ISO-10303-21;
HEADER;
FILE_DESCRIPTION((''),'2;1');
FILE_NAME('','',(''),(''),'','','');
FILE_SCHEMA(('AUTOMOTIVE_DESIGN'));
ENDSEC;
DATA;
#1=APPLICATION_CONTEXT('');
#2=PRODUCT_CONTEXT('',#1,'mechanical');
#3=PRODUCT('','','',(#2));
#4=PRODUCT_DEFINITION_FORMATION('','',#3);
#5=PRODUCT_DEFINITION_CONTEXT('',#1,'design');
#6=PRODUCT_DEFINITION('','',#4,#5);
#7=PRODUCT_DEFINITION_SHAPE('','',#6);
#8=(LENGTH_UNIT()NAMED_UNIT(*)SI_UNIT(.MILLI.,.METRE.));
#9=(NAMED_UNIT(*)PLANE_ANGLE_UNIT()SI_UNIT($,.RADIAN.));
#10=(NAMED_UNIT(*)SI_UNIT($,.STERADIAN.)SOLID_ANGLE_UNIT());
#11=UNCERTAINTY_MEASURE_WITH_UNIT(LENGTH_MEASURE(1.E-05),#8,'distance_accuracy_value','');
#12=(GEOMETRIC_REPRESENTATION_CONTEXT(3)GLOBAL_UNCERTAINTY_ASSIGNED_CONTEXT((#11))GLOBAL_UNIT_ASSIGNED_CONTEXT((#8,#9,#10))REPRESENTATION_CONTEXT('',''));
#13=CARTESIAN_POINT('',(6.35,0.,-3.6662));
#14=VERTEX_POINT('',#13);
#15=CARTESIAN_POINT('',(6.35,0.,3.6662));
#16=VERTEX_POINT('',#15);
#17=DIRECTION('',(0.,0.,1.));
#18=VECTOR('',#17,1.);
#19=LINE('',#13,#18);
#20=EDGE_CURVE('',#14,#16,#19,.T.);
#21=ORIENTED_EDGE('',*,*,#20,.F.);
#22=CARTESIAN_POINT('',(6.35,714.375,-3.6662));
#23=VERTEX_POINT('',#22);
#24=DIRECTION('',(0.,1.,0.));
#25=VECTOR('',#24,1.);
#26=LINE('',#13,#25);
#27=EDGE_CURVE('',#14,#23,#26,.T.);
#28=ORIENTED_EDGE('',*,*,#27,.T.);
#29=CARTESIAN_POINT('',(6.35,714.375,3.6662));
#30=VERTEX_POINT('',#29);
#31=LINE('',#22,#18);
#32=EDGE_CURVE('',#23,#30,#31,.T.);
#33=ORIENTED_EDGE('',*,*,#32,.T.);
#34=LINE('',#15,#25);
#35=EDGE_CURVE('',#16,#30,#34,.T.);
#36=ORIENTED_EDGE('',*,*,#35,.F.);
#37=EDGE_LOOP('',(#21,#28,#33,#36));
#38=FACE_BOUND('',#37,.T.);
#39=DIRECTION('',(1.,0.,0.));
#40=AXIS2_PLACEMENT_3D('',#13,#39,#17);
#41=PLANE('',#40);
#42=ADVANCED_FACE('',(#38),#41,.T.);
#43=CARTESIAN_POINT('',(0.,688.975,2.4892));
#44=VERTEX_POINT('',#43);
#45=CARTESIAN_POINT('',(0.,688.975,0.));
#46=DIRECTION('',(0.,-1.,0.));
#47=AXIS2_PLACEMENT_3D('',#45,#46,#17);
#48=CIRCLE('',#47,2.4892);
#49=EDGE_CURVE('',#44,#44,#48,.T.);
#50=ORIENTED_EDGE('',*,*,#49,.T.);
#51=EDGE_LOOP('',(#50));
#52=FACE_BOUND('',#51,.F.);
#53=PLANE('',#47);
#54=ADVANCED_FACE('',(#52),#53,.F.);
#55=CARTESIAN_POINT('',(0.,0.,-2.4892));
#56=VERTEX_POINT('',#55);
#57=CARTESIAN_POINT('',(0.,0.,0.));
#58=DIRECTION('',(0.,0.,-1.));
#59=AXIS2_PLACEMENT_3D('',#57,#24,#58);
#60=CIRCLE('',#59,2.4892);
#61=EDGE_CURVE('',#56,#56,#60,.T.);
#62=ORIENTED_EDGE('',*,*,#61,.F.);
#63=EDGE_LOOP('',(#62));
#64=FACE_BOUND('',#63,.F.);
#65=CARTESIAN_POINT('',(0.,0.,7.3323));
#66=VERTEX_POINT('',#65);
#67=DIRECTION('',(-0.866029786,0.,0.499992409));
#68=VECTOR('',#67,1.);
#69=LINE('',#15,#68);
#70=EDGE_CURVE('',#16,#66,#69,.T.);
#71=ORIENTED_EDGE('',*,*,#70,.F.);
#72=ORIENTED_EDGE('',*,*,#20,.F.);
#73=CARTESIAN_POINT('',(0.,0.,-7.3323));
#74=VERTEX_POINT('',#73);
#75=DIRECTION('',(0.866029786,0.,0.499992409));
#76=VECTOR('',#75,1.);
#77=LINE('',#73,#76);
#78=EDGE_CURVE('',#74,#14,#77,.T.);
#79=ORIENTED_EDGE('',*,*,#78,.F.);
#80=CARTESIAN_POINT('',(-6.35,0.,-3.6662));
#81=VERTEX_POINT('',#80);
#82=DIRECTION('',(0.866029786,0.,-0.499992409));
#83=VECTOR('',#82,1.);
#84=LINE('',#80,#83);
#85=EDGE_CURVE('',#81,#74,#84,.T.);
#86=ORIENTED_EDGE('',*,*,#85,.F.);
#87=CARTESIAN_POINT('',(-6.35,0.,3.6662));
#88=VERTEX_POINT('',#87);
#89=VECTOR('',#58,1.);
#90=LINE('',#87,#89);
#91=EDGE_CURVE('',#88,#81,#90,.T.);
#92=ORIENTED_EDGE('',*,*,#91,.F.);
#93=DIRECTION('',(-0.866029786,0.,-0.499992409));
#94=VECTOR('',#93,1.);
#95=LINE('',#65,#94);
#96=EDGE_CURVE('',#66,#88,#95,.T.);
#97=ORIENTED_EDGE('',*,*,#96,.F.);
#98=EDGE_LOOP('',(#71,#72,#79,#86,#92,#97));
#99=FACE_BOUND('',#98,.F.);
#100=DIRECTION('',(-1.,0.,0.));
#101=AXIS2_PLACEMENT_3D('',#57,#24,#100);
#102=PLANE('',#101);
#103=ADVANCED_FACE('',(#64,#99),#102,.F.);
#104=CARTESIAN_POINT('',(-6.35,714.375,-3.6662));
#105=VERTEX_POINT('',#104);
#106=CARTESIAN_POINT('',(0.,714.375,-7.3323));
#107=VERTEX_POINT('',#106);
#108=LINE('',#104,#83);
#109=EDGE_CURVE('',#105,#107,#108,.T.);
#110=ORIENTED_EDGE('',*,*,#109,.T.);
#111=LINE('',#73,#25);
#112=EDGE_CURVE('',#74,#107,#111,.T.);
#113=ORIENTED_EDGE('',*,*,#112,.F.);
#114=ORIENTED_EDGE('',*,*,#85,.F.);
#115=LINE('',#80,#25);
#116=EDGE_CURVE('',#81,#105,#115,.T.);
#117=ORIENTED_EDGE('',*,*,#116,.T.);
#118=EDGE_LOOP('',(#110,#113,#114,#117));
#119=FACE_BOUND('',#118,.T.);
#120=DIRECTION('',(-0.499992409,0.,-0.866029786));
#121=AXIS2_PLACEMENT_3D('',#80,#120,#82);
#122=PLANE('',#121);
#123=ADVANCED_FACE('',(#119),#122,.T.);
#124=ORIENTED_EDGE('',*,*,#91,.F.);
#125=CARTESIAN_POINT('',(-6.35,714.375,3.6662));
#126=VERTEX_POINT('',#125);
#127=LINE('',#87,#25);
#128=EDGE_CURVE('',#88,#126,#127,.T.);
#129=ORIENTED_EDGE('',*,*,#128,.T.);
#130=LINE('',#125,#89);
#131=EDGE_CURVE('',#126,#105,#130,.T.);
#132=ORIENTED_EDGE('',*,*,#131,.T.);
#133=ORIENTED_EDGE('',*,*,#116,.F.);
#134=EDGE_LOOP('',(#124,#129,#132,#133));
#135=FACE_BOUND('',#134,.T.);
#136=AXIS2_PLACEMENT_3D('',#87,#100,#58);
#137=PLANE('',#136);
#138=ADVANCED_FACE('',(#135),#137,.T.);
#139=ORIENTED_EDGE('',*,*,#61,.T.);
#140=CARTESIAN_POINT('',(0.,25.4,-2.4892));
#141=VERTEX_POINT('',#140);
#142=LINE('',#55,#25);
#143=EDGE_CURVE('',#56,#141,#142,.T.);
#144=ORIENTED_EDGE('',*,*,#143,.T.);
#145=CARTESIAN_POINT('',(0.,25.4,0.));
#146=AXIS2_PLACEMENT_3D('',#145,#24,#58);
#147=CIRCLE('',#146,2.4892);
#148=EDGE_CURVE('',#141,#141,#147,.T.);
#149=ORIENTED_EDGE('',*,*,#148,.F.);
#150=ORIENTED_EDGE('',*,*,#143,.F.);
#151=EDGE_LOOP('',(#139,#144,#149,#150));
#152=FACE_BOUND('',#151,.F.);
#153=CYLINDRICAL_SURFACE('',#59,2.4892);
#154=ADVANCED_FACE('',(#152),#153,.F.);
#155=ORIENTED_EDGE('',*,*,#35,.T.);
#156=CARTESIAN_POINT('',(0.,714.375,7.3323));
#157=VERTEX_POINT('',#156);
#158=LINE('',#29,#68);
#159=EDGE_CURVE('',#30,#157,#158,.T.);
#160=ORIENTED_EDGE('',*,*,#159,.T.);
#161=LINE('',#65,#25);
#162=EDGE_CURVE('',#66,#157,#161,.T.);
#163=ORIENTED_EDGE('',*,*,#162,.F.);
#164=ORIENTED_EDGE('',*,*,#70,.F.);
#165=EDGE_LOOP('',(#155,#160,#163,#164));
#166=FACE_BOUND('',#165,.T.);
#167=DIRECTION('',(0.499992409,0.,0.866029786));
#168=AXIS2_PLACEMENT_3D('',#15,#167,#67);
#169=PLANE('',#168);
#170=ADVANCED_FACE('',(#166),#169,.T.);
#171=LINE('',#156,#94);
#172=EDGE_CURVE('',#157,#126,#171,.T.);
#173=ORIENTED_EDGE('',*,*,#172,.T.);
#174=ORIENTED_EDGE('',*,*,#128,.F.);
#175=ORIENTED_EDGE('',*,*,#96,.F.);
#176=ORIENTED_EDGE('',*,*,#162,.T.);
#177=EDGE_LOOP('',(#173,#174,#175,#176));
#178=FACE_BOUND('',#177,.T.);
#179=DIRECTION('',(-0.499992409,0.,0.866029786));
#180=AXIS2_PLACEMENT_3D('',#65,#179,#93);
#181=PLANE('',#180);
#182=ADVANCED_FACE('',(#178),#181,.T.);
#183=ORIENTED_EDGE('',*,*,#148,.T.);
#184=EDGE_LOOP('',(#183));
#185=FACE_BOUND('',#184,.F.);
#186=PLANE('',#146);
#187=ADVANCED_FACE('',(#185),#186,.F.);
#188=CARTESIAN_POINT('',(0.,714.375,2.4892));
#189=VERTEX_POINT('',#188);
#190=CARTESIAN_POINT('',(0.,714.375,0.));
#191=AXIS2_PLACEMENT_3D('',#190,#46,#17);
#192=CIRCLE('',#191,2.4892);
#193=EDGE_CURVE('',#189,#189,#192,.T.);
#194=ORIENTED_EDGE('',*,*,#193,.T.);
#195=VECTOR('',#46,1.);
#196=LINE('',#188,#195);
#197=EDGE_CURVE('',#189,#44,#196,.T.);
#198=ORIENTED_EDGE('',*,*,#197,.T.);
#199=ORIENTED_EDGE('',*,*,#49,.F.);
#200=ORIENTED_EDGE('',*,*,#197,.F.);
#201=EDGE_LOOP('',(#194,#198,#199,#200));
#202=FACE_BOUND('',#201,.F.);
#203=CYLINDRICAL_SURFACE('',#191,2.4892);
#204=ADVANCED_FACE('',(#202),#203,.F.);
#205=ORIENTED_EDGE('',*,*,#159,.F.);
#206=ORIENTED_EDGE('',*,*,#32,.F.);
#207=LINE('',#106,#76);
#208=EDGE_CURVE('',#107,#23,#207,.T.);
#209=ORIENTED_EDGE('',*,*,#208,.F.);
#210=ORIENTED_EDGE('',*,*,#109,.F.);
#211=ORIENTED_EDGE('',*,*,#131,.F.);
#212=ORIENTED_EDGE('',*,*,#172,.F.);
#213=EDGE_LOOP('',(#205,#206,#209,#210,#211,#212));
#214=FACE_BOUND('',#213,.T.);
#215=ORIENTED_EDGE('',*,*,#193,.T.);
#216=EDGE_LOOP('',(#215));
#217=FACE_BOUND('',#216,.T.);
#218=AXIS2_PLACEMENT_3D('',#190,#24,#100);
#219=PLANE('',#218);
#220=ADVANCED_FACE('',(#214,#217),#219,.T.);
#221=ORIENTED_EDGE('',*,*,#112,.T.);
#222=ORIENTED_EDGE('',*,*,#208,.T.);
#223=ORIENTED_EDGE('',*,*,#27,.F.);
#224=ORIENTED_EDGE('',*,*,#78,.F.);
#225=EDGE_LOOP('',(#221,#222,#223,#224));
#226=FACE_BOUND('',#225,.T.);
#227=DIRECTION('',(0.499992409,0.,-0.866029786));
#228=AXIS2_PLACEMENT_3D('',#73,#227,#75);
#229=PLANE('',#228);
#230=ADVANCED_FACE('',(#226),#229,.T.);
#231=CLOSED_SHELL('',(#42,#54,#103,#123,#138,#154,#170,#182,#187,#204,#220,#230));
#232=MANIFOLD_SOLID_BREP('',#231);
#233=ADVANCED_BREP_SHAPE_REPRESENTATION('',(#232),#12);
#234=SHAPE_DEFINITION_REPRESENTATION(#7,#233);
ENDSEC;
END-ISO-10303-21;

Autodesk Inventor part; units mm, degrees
ref_plane "YZ Plane" through (0, 0, 0) normal (1, 0, 0) x (0, 1, 0)
ref_plane "XZ Plane" through (0, 0, 0) normal (0, 1, 0) x (-1, 0, 0)
ref_plane "XY Plane" through (0, 0, 0) normal (0, 0, 1) x (1, 0, 0)
sketch "Sketch1" plane through (0, 0, 0) normal (0, 1, 0) x (-1, 0, 0)
  line L0 (6.35, -3.6662) -> (0, -7.3323)
  line L1 (0, -7.3323) -> (-6.35, -3.6662)
  line L2 (-6.35, -3.6662) -> (-6.35, 3.6662)
  line L3 (-6.35, 3.6662) -> (0, 7.3323)
  line L4 (0, 7.3323) -> (6.35, 3.6662)
  line L5 (6.35, 3.6662) -> (6.35, -3.6662)
  point P0 (0, 0)
  point P1 (0, 0)
  point P2 (0, 0)
  dimension "d0" = 12.7
extrude "Extrusion1" add sketch "Sketch1" along normal blind 714.375
sketch "Sketch2" plane through (0, 0, 0) normal (0, -1, 0) x (1, 0, 0)
  point P0 (0, 0)
  point P1 (0, 0)
hole "Hole1" at (0, 0, 0) direction (0, 1, 0) diameter 4.9784 depth 25.4 thread size "1/4-20 UNC" class "2B" standard "ANSI Unified Screw Threads"
sketch "Sketch3" plane through (0, 714.375, 0) normal (0, 1, 0) x (1, 0, 0)
  point P0 (0, 0)
  point P1 (0, 0)
hole "Hole2" at (0, 714.375, 0) direction (0, -1, 0) diameter 4.9784 depth 25.4 thread size "1/4-20 UNC" class "2B" standard "ANSI Unified Screw Threads"
properties part number "Intake HexShaft 2" material "Aluminum 7075"
